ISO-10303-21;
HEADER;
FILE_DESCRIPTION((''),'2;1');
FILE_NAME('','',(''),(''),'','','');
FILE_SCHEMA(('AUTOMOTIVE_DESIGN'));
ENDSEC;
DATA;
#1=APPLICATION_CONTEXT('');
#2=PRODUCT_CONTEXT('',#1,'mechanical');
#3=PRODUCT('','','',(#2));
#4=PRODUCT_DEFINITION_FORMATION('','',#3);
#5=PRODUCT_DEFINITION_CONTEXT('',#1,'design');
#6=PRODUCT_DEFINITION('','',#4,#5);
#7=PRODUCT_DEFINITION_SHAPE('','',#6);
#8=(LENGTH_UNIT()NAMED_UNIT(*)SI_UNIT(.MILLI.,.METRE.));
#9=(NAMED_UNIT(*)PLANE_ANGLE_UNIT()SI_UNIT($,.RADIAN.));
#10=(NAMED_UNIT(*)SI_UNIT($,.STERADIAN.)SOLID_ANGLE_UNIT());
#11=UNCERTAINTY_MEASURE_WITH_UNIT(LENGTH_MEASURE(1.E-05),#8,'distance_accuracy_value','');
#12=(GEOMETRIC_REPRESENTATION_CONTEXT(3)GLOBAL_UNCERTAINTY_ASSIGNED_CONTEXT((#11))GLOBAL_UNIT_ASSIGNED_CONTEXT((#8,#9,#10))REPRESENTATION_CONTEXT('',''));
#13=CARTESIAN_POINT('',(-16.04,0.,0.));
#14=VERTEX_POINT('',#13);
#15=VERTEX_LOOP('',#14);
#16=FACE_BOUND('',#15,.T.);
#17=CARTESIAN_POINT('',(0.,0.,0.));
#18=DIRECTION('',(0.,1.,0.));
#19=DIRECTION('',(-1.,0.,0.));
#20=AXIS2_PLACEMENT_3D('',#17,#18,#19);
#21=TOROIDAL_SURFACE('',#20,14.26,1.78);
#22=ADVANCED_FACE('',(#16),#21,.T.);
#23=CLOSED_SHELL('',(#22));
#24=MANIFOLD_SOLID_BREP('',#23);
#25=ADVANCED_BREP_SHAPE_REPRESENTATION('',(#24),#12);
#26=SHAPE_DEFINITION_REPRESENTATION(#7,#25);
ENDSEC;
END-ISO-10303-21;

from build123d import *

# Parameters (mm, degrees)
SKETCH2_R = 1.78


with BuildPart() as part:
    # Sketch2 → Revolve1 (revolve)
    with BuildSketch(Plane.XY, mode=Mode.PRIVATE) as revolve1_sk:
        with Locations((14.26, 0)):
            Circle(SKETCH2_R)
    revolve(revolve1_sk.sketch.rotate(Axis((0, 4.996607078, 0), (0, -1, 0)), 180), axis=Axis((0, 4.996607078, 0), (0, -1, 0)))


solid = part.part
